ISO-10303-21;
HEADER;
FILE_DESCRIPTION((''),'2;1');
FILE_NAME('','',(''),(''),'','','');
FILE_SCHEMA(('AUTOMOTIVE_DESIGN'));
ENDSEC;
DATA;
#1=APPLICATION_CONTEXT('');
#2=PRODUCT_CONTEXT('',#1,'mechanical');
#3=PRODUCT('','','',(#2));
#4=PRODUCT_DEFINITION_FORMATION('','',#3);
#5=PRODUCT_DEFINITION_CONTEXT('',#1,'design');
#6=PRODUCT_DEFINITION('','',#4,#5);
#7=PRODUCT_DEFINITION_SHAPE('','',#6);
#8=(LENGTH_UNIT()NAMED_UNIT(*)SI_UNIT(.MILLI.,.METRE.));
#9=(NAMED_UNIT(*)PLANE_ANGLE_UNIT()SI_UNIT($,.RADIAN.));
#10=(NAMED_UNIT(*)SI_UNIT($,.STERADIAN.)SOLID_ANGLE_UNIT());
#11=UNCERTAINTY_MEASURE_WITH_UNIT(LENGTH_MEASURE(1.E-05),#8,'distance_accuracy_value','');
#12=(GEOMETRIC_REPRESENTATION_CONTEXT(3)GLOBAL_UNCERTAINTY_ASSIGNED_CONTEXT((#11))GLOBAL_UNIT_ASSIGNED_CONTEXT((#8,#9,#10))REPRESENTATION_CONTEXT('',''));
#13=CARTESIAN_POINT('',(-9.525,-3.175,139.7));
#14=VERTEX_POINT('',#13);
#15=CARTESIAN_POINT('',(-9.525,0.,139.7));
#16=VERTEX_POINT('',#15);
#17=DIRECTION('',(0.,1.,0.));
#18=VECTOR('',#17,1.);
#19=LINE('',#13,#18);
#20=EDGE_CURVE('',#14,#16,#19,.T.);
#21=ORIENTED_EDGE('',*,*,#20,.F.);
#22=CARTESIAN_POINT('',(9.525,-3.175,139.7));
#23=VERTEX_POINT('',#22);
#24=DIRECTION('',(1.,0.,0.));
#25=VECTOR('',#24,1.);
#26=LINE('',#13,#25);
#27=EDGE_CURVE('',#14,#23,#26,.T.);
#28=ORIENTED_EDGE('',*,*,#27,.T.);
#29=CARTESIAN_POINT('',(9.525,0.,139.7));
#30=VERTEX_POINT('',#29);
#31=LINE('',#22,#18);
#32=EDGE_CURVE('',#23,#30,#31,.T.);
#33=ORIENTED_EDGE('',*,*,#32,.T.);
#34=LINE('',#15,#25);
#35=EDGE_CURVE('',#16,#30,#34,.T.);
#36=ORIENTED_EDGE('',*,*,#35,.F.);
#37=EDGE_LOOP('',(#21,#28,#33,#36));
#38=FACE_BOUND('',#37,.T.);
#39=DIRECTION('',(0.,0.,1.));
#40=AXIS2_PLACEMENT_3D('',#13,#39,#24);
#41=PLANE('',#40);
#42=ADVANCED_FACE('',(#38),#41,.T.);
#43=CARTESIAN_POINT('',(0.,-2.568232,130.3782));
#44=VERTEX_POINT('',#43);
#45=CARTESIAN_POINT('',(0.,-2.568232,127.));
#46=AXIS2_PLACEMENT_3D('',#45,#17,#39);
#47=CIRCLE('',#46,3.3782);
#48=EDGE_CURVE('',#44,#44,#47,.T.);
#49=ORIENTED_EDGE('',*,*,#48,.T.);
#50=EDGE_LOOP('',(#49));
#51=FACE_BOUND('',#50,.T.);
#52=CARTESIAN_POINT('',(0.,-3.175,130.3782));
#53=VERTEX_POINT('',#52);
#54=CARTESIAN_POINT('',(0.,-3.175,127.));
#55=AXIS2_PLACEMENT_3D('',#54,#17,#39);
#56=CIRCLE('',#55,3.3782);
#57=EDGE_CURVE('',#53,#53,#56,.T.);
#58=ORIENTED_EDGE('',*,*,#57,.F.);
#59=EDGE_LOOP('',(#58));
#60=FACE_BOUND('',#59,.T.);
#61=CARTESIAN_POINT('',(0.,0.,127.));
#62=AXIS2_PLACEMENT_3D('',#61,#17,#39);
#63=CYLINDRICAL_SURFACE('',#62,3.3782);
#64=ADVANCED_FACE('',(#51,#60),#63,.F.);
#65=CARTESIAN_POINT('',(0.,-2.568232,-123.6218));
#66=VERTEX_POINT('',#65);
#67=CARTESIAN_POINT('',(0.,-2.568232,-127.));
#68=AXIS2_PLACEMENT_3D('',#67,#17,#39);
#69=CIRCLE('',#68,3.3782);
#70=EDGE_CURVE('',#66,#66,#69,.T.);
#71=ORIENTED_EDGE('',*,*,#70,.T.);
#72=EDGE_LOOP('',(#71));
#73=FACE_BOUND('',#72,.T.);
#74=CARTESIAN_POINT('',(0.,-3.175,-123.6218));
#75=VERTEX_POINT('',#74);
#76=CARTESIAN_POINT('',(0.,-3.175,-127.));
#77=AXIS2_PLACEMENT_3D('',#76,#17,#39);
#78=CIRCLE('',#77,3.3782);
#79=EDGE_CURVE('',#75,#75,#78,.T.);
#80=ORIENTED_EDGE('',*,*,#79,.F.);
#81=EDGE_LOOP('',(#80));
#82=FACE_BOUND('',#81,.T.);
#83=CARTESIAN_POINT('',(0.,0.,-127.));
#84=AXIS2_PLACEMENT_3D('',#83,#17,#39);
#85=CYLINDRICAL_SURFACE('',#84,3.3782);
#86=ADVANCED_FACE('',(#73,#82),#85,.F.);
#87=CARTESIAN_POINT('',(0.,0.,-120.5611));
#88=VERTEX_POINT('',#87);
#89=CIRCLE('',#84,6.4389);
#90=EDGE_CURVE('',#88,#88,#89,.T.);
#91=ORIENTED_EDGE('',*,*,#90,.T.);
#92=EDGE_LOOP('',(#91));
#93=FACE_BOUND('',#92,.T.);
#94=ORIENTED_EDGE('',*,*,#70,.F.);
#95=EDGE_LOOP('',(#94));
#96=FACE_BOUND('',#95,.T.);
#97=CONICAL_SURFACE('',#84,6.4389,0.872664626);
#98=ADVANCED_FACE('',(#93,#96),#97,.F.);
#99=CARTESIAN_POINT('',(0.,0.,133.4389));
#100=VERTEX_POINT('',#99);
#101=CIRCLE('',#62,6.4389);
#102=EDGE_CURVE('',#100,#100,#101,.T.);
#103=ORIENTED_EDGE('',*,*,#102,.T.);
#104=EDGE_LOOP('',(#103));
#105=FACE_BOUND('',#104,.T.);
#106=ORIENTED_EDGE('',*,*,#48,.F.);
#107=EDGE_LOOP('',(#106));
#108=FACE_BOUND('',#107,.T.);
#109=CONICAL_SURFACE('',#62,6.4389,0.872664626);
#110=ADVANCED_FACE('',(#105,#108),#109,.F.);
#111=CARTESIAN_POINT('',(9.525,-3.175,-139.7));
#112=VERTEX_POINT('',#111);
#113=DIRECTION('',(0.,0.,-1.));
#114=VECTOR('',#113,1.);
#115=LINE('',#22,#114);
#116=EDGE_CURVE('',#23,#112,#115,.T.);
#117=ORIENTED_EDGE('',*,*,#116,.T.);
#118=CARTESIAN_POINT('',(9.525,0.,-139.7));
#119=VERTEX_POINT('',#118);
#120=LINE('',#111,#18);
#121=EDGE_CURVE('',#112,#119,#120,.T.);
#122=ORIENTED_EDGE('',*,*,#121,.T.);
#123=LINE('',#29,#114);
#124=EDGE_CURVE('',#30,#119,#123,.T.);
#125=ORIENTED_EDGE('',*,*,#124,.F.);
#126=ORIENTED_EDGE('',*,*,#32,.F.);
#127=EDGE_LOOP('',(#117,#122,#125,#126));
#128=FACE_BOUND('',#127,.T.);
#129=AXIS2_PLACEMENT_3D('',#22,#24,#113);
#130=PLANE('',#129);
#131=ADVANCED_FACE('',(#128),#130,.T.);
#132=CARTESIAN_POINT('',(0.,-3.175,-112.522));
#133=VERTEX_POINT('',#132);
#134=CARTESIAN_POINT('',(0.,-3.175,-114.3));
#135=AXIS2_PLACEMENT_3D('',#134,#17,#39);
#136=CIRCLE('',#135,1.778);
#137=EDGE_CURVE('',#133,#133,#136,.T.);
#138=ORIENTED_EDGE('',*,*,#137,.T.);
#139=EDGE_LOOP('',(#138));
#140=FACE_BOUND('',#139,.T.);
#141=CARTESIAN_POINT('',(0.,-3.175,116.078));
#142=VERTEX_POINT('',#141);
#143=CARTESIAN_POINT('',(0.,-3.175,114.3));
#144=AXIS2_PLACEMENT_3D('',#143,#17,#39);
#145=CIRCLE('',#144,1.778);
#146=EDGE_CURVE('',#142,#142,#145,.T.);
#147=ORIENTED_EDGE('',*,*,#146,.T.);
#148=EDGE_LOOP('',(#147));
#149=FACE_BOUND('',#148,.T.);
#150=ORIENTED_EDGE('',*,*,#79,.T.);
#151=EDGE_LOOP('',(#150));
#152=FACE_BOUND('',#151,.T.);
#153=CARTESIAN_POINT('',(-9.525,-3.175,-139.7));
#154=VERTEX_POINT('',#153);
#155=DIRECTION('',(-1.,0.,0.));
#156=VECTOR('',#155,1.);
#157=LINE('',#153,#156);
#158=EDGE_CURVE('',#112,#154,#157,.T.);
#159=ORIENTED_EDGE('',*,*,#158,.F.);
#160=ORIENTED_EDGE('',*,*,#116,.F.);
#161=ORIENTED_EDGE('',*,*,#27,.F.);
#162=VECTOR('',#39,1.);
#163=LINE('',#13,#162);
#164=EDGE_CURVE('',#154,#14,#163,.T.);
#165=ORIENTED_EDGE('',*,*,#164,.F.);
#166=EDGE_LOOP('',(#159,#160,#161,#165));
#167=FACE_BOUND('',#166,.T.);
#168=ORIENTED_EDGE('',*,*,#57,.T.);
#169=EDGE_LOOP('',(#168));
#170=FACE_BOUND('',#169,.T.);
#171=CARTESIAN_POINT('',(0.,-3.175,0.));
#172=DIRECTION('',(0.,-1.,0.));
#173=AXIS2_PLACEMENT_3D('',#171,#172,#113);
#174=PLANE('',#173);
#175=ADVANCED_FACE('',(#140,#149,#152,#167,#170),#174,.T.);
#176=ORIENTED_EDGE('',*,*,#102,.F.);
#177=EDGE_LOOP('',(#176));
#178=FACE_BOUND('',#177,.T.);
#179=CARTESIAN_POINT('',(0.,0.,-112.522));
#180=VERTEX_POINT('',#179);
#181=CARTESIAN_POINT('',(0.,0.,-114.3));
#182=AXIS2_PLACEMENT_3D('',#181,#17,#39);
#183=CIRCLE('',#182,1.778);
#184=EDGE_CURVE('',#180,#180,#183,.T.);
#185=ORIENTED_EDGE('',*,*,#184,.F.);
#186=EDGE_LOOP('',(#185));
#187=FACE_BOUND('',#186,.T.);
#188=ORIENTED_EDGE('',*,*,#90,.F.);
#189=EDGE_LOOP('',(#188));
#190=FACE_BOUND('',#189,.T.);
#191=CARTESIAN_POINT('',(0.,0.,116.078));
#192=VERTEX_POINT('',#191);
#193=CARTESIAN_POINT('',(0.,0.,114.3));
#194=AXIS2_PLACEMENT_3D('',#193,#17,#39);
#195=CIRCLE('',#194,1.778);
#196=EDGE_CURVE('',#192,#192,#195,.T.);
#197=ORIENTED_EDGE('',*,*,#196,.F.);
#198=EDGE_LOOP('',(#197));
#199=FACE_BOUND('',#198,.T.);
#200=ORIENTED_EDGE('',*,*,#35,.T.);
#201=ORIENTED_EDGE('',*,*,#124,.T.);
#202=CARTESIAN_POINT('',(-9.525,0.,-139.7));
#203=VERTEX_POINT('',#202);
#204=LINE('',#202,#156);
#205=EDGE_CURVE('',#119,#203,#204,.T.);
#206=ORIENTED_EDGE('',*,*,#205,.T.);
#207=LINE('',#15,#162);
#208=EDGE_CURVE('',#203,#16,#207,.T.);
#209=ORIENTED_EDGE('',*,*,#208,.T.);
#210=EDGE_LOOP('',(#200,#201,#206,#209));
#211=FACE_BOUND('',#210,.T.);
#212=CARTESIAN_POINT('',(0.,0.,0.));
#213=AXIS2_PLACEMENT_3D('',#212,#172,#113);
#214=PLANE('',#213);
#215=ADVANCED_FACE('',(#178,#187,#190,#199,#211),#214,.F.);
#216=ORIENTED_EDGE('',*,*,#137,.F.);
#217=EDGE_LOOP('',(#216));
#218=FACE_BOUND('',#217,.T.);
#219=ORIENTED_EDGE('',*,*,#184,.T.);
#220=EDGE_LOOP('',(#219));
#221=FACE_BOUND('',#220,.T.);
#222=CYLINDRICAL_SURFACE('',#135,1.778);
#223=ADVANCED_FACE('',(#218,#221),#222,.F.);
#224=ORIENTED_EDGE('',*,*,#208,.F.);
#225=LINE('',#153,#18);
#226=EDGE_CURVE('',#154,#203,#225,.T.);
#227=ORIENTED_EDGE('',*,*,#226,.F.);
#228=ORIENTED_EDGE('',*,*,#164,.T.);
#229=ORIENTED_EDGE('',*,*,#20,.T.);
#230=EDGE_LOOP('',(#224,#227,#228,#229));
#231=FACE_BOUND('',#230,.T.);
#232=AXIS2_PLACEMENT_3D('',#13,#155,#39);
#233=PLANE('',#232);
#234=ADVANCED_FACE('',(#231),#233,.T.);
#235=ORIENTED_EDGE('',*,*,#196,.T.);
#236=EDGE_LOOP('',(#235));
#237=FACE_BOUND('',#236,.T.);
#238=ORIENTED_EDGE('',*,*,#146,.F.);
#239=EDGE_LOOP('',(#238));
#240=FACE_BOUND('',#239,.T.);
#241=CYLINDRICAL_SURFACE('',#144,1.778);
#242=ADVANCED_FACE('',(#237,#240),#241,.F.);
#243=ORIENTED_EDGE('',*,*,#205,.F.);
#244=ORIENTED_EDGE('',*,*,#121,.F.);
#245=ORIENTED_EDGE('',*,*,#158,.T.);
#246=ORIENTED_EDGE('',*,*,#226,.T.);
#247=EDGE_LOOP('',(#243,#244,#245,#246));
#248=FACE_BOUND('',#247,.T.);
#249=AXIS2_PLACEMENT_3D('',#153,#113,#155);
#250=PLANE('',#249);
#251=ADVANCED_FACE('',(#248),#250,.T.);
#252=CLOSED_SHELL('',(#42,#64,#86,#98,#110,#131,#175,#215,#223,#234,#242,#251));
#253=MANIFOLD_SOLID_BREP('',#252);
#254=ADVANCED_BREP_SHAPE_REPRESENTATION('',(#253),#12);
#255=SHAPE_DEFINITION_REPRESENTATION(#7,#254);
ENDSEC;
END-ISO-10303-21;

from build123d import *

# Parameters (mm, degrees)
SKETCH1_W                                   = 19.05
SKETCH1_H                                   = 279.4
SKETCH1_R                                   = 1.778
BOSS_EXTRUDE1_DEPTH                         = 3.175
CSK_FOR_1_4_FLAT_HEAD_MACHINE_SCREW_2_COUNT = 2
CSK_FOR_1_4_FLAT_HEAD_MACHINE_SCREW_2_PITCH = 254


with BuildPart() as part:
    # Sketch1 → Boss-Extrude1 (new body)
    with BuildSketch(Plane(origin=(0, 0, 0), x_dir=(1, 0, 0), z_dir=(0, 1, 0))):
        Rectangle(SKETCH1_W, SKETCH1_H)
        with Locations(Location((0, 114.3, 0), (0, 0, 270))):
            Circle(SKETCH1_R, mode=Mode.SUBTRACT)
        with Locations(Location((0, -114.3, 0), (0, 0, 270))):
            Circle(SKETCH1_R, mode=Mode.SUBTRACT)
    extrude(amount=-BOSS_EXTRUDE1_DEPTH)

    # Sketch3 → CSK for 1/4 Flat Head Machine Screw (100)1 (revolve, cut)
    with BuildSketch(Plane(origin=(0, 0, 127), x_dir=(0, 0, 1), z_dir=(1, 0, 0))):
        Polygon((0, 0), (0, 3.175), (3.3782, 3.175), (3.3782, 2.568232241), (6.4389, 0), align=None)
    csk_for_1_4_flat_head_machine_screw_100 = revolve(axis=Axis((0, 6.35, 127), (0, -1, 0)), mode=Mode.SUBTRACT)

    # CSK for 1_4 Flat Head Machine Screw  2: CSK for 1/4 Flat Head Machine Screw (100)1 ×2
    with Locations(*[(0, 0, -i * CSK_FOR_1_4_FLAT_HEAD_MACHINE_SCREW_2_PITCH) for i in range(1, CSK_FOR_1_4_FLAT_HEAD_MACHINE_SCREW_2_COUNT)]):
        add(csk_for_1_4_flat_head_machine_screw_100, mode=Mode.SUBTRACT)


solid = part.part
